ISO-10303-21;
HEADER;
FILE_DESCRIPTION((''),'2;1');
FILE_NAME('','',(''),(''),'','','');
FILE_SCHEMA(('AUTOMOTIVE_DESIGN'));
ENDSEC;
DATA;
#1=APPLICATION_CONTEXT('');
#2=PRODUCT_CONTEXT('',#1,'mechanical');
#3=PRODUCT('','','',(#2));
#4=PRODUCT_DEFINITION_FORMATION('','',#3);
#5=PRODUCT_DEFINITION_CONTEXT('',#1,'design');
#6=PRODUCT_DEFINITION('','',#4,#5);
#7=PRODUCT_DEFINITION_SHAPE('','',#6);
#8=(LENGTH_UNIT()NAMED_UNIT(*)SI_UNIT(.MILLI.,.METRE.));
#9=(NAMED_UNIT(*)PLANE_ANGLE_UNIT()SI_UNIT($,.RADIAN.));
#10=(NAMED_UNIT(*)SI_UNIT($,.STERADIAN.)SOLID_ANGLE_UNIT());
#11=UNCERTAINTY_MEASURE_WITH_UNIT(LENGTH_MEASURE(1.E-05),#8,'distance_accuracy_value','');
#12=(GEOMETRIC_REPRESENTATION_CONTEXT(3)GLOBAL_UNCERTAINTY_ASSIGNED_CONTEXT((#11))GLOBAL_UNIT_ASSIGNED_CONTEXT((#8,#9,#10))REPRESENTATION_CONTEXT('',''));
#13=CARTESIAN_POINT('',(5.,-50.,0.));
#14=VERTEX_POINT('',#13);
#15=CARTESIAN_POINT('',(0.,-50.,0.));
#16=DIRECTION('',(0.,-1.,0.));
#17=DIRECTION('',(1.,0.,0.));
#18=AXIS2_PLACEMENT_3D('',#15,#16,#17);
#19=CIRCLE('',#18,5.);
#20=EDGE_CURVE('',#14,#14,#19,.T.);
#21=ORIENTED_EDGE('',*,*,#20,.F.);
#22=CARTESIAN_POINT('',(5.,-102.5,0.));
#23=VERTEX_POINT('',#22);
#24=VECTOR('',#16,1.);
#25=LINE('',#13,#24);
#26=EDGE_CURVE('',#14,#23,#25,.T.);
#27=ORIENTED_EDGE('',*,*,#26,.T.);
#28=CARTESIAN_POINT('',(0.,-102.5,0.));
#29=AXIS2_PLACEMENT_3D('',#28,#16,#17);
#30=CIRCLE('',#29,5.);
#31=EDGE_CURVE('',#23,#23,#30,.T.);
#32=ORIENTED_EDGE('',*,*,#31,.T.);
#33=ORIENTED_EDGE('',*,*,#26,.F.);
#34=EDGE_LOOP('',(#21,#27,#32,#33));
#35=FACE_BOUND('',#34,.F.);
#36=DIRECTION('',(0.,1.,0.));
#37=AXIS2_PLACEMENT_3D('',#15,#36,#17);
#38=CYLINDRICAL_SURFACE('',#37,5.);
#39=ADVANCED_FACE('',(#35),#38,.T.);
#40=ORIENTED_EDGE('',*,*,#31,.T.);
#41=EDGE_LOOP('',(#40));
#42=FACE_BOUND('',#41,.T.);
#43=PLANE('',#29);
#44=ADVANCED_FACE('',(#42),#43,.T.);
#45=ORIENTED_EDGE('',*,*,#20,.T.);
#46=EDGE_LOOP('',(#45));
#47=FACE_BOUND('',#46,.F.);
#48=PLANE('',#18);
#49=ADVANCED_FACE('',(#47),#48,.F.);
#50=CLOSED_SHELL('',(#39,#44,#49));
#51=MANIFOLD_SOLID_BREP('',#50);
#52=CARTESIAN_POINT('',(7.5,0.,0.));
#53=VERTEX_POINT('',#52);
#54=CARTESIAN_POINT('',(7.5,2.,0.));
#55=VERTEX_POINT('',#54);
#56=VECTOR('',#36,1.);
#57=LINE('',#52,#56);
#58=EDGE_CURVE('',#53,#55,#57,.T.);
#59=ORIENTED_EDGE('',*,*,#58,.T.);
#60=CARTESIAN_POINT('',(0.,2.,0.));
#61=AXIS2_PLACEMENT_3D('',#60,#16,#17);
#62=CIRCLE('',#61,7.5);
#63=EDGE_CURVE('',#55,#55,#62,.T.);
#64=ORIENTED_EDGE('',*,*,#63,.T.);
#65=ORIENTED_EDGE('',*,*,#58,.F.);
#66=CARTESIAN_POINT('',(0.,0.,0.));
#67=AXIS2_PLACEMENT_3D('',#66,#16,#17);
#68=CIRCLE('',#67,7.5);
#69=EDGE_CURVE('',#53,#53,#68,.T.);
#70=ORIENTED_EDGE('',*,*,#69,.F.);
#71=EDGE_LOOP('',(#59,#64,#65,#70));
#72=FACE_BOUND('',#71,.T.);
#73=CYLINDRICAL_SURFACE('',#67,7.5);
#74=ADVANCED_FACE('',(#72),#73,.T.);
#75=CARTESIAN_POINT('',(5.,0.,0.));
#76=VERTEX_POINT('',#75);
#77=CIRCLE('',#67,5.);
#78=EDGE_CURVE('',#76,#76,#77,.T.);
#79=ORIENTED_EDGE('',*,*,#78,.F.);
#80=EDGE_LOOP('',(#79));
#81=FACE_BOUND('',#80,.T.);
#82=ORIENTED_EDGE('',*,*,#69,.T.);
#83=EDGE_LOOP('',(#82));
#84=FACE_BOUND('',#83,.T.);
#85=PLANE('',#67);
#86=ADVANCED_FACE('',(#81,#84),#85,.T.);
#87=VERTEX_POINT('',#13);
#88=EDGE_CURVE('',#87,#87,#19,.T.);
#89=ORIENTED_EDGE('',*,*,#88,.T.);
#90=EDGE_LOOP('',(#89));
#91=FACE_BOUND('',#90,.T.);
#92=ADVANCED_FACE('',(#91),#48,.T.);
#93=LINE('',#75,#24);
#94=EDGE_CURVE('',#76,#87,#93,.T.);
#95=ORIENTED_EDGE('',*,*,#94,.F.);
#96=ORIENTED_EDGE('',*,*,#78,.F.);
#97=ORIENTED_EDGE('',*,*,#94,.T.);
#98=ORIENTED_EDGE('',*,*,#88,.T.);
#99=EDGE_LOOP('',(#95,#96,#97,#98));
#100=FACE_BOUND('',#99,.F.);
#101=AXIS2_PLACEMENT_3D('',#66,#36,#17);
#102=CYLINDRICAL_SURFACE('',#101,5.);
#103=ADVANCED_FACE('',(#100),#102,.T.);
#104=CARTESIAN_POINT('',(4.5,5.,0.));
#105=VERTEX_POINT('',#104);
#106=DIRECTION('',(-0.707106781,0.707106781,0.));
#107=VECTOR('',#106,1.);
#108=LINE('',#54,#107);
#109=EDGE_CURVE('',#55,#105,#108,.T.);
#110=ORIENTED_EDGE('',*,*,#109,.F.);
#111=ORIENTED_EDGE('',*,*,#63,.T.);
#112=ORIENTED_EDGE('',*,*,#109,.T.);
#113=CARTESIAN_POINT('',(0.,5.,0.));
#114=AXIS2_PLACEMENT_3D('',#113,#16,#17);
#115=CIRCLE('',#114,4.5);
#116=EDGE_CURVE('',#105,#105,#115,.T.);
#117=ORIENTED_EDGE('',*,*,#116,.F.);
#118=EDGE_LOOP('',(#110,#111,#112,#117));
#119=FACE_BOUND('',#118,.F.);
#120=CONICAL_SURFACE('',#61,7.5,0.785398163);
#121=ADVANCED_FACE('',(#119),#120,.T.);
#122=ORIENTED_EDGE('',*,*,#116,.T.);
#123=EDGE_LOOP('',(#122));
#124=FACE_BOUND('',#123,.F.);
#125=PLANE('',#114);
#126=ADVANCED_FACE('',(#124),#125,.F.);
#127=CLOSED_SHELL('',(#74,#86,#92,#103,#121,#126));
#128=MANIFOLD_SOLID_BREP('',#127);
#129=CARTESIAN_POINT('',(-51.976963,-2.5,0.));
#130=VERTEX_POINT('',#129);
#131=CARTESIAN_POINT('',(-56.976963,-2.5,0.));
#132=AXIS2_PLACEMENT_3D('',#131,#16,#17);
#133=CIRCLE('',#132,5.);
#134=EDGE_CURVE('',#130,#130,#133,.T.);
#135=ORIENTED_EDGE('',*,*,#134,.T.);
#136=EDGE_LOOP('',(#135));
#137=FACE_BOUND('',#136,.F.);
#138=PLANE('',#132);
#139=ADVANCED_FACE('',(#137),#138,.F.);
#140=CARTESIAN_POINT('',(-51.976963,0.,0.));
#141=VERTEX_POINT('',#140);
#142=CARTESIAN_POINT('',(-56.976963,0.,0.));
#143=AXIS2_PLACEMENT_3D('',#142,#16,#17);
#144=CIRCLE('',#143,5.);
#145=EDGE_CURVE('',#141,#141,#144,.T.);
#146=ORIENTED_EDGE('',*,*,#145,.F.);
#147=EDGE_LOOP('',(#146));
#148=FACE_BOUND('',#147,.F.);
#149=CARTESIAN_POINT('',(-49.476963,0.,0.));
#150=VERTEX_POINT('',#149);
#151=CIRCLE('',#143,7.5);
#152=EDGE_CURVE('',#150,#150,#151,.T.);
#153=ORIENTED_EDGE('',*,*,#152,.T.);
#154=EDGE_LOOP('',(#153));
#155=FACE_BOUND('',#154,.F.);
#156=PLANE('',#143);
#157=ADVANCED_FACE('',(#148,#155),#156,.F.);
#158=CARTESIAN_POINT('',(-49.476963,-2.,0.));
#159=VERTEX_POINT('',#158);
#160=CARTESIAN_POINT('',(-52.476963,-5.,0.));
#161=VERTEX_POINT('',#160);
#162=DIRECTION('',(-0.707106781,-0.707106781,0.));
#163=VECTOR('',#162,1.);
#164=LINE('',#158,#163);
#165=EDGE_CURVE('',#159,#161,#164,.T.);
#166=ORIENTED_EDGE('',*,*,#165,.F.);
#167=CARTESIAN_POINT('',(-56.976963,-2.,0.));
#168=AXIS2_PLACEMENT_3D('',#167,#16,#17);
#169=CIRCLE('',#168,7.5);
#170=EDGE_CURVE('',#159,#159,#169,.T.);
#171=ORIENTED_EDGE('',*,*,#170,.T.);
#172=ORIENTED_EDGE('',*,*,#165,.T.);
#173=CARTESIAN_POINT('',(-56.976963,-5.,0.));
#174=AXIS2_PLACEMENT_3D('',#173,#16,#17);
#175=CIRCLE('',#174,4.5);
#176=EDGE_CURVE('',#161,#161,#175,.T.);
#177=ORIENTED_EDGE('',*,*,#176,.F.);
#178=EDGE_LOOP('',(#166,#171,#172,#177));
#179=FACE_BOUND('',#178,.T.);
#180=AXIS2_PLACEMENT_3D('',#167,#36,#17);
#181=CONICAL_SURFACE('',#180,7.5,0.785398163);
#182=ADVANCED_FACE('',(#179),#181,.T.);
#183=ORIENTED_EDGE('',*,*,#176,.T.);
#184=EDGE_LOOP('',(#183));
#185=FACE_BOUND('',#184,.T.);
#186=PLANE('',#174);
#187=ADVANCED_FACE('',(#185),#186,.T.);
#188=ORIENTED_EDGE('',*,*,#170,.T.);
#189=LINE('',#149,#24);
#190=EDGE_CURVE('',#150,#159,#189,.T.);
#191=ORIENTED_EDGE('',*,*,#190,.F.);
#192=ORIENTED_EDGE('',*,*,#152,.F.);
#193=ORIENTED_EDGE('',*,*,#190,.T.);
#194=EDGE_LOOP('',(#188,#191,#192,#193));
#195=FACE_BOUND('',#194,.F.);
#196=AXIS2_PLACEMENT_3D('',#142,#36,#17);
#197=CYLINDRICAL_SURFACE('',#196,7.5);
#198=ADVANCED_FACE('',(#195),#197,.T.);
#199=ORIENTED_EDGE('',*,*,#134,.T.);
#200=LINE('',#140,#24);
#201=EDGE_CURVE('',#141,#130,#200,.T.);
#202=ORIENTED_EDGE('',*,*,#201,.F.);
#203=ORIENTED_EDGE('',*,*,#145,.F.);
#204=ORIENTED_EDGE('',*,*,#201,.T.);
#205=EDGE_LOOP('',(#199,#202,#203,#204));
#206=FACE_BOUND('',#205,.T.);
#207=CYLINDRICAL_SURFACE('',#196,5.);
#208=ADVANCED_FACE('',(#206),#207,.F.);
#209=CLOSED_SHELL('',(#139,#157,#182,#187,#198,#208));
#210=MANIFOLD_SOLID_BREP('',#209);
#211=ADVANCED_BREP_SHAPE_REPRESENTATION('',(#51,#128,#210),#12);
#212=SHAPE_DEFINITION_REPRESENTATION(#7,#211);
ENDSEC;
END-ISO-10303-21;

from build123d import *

# Parameters (mm, degrees)
F0_R     = 7.5
F0_R_2   = 5
F1_DEPTH = 5
F2_DEPTH = 50
F3_R     = 5
F4_DEPTH = 52.5
F5_DEPTH = 5
F6_DEPTH = 2.5
F7_SIZE  = 3
F8_SIZE  = 3


with BuildPart() as f1:
    # F0 (on Front) → F1 (new body)
    with BuildSketch(Plane.XZ):
        Circle(F0_R)
        Circle(F0_R_2, mode=Mode.SUBTRACT)
        Circle(F0_R_2)
    extrude(amount=-F1_DEPTH)

    # F0 (on Front) → F2 (join)
    with BuildSketch(Plane.XZ):
        Circle(F0_R_2)
    extrude(amount=F2_DEPTH)

    # F7
    f7_edges = [f1.edges().sort_by_distance(p)[0] for p in [
        (-7.5, 5, 0),
    ]]
    chamfer(f7_edges, length=F7_SIZE)


with BuildPart() as f4:
    # F3 (on face) → F4 (new body)
    with BuildSketch(Plane.XZ.offset(50)):
        Circle(F3_R)
    extrude(amount=F4_DEPTH)


with BuildPart() as f5:
    # F0 (on Front) → F5 (new body)
    with BuildSketch(Plane.XZ):
        with Locations((-56.9769628346, 0)):
            Circle(F0_R)
        with Locations((-56.9769628346, 0)):
            Circle(F0_R_2, mode=Mode.SUBTRACT)
        with Locations((-56.9769628346, 0)):
            Circle(F0_R_2)
    extrude(amount=F5_DEPTH)

    # F0 (on Front) → F6 (cut)
    with BuildSketch(Plane.XZ):
        with Locations((-56.9769628346, 0)):
            Circle(F0_R_2)
    extrude(amount=F6_DEPTH, mode=Mode.SUBTRACT)

    # F8
    f8_edges = [f5.edges().sort_by_distance(p)[0] for p in [
        (-64.476963, -5, 0),
    ]]
    chamfer(f8_edges, length=F8_SIZE)


solid = Compound([f1.part, f4.part, f5.part])
